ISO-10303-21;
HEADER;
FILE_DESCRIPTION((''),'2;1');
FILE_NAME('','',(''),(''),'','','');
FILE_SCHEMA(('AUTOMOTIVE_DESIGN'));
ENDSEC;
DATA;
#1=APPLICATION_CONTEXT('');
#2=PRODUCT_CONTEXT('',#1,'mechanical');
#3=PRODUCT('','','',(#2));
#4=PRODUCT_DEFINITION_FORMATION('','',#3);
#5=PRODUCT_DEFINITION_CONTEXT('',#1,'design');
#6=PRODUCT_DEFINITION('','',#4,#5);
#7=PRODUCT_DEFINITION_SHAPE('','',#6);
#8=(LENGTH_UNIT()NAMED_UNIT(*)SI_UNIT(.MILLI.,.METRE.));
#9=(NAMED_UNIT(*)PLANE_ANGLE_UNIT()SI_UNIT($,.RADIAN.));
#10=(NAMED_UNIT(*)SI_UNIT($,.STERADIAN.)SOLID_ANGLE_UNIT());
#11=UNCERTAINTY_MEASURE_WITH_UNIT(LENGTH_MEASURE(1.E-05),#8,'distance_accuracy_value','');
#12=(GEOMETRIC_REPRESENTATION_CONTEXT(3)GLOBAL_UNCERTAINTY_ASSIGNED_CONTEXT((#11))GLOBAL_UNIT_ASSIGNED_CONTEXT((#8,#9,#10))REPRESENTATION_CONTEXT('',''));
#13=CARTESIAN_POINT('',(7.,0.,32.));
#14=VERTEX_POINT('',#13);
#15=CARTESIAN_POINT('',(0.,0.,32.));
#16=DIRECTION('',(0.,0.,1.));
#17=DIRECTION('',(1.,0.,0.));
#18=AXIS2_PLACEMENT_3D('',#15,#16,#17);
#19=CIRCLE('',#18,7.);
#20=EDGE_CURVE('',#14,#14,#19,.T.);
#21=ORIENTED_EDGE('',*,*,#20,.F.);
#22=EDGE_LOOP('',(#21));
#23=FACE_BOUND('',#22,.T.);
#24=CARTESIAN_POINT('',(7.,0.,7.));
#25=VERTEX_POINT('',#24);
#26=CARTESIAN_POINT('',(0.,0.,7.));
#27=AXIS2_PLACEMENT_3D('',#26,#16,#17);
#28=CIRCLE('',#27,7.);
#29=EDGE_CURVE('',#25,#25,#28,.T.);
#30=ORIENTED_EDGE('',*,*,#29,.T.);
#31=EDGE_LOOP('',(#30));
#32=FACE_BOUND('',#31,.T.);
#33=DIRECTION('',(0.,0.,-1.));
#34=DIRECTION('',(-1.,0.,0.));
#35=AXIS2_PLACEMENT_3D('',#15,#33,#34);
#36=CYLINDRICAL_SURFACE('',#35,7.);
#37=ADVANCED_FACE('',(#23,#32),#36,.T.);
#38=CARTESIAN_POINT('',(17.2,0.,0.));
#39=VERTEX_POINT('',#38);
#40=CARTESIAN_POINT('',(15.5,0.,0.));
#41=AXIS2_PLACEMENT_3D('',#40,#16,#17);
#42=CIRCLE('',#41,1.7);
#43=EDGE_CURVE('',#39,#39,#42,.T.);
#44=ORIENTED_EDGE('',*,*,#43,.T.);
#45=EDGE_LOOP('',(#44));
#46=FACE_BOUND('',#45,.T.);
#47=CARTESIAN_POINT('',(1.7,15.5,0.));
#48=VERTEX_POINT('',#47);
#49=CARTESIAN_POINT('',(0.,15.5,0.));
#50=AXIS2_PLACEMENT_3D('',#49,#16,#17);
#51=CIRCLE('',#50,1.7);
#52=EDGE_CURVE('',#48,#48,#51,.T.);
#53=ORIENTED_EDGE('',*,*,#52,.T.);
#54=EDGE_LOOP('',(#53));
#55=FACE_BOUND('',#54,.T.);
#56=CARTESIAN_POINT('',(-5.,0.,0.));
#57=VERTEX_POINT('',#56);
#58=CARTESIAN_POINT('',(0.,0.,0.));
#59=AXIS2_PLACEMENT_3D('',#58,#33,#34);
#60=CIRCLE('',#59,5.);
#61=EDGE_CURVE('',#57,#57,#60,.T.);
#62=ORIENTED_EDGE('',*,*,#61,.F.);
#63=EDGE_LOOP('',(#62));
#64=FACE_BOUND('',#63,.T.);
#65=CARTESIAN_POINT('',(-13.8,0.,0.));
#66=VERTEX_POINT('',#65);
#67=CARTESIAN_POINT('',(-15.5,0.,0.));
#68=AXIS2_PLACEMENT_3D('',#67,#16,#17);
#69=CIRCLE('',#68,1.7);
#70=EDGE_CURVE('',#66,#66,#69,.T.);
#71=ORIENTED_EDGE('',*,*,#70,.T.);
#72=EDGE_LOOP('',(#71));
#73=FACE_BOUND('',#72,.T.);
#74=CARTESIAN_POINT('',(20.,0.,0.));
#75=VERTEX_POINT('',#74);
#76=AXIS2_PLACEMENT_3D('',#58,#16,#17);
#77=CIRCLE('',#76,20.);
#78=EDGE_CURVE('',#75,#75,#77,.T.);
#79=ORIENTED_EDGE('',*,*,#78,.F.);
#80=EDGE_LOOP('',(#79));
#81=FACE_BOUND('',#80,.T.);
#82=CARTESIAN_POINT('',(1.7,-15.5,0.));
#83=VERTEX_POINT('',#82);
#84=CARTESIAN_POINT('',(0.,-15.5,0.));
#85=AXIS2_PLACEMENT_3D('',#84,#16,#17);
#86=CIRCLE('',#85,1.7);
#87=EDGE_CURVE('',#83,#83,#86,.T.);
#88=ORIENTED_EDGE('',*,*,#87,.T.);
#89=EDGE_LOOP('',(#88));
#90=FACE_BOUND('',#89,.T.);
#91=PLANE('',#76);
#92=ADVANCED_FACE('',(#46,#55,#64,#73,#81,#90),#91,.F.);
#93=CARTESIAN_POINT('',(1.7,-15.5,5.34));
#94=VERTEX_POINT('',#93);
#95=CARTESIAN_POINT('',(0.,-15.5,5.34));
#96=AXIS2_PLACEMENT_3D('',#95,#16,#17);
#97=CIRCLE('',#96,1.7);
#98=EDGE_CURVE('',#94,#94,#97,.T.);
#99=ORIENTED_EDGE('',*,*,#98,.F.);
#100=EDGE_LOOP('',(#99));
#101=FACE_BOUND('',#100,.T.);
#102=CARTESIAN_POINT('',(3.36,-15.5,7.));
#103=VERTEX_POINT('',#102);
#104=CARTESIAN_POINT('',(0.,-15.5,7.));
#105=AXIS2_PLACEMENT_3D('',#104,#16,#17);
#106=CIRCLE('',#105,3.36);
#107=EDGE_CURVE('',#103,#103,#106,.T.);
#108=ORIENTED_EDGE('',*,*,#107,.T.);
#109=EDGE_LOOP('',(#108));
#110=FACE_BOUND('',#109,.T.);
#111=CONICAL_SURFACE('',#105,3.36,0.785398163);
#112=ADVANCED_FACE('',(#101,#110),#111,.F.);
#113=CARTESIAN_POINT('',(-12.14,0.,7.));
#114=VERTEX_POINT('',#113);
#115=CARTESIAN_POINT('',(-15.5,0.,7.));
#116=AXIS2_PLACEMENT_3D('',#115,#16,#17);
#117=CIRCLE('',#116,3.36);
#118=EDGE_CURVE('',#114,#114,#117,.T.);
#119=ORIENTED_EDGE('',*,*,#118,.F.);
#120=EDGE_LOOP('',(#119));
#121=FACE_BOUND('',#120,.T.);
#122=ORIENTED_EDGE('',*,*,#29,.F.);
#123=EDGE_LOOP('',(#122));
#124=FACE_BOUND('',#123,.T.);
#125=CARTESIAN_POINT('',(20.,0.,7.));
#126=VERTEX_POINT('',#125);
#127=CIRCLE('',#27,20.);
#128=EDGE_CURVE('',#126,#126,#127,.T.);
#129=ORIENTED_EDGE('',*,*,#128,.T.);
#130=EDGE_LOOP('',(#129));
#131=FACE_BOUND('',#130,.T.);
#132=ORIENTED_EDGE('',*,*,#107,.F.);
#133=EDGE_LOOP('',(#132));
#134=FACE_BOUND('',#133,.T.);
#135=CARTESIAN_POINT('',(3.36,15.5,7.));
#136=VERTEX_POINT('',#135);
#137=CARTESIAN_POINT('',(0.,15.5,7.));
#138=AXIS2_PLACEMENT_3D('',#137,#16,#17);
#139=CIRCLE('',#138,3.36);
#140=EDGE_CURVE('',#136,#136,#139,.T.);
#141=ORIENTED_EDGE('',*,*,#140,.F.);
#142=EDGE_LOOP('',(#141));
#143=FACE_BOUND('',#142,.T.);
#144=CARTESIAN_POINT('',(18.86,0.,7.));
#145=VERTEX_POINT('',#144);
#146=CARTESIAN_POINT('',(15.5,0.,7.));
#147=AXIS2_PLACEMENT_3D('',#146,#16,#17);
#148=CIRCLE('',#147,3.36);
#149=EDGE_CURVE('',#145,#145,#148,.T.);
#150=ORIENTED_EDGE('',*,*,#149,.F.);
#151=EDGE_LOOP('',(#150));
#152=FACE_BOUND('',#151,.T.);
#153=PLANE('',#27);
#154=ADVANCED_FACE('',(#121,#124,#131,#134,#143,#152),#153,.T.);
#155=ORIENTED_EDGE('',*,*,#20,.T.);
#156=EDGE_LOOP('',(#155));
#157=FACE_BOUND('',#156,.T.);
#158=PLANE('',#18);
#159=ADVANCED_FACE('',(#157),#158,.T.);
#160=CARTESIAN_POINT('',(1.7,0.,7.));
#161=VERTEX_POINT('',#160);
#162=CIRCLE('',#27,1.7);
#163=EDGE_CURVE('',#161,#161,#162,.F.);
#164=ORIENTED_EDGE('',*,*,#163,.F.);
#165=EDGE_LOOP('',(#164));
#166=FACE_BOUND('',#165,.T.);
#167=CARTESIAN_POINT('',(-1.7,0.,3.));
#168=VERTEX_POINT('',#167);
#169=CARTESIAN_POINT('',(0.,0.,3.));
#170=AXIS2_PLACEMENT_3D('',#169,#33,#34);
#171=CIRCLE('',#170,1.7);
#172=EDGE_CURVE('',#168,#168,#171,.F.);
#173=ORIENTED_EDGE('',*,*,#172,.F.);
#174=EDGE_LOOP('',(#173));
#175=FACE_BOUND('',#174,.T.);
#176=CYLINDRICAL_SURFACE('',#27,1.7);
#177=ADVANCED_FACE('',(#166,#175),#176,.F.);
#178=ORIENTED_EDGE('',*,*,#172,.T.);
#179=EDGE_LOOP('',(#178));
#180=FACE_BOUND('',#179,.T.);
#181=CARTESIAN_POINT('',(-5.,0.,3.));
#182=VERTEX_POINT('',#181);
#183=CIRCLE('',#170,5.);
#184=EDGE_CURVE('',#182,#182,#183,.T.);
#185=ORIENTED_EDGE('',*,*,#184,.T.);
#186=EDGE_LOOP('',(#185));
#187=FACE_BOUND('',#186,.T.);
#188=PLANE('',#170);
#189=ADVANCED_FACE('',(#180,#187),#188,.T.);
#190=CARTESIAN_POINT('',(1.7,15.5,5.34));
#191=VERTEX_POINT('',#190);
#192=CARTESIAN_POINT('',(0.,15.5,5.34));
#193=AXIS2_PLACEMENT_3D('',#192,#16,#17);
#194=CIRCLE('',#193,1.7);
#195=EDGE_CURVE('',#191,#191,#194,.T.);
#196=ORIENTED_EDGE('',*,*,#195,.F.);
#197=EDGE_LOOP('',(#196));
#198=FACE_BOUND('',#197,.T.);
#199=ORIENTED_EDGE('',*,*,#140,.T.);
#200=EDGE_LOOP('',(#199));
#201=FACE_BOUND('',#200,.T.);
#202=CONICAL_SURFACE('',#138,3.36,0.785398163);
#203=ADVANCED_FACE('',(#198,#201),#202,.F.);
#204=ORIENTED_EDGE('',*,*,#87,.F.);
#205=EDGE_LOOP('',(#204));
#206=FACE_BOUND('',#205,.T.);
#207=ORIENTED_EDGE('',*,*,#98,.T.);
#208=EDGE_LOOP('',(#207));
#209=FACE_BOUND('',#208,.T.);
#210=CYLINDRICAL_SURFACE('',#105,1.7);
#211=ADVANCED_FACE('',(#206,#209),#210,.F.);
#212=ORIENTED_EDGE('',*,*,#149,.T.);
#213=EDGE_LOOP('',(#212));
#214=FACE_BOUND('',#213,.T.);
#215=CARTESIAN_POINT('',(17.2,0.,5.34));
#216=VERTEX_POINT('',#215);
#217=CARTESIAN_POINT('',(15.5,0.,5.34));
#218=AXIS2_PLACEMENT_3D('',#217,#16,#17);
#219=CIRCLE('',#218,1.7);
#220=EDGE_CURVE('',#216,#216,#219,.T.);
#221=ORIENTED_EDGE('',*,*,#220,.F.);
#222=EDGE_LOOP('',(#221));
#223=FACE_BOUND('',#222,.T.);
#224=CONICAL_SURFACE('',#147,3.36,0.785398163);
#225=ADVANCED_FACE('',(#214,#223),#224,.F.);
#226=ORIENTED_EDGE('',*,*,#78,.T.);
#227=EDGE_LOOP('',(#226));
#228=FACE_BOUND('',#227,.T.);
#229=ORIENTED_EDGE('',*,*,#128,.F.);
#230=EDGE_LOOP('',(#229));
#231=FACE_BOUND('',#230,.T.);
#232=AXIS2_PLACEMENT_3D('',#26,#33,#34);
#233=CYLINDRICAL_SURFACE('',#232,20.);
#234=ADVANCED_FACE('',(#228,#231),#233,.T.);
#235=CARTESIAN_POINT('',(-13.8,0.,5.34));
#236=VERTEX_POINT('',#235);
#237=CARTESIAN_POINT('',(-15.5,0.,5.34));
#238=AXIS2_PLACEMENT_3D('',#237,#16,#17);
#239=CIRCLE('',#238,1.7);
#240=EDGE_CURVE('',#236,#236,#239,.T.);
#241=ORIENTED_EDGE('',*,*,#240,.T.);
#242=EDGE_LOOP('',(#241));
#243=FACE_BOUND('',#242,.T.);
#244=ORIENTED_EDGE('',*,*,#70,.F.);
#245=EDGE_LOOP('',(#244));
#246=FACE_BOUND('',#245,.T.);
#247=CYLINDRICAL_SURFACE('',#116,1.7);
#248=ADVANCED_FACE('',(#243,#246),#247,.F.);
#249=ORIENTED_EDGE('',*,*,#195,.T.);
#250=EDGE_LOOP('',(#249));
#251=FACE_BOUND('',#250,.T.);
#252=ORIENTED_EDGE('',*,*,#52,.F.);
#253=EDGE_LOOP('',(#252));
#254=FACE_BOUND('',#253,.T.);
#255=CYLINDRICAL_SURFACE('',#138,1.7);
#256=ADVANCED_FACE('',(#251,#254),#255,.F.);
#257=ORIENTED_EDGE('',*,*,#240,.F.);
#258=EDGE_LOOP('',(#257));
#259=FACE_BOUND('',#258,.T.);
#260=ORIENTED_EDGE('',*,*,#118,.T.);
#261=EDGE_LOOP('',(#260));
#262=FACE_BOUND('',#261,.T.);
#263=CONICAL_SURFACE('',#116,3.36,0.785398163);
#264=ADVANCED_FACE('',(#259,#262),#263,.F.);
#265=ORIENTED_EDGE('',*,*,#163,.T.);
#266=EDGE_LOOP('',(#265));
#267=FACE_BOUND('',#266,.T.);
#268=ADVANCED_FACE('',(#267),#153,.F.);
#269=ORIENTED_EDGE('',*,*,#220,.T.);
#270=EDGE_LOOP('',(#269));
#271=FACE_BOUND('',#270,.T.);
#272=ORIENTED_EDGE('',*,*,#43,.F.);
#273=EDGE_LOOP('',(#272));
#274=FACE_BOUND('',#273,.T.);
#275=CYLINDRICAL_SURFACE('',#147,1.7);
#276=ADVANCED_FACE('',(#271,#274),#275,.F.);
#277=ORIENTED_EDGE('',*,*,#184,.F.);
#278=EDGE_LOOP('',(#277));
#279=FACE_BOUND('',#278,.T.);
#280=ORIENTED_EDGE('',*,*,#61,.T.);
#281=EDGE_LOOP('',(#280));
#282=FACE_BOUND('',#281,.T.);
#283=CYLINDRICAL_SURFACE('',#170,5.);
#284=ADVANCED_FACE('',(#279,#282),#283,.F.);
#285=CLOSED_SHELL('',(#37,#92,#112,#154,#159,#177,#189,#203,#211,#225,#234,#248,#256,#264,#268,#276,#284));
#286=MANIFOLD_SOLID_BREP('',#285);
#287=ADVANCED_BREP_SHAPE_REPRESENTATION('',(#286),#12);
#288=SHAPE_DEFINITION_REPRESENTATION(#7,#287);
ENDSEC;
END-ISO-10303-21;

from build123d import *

# Parameters (mm, degrees)
CROQUIS1_R                                           = 20
SALIENTE_EXTRUIR1_DEPTH                              = 7
REFRENTADO_PARA_TORNILLO_TAP_N_CON_CABEZ_D           = 3.4
REFRENTADO_PARA_TORNILLO_TAP_N_CON_CABEZ_CSINK_D     = 6.72
REFRENTADO_PARA_TORNILLO_TAP_N_CON_CABEZ_CSINK_ANGLE = 90
TALADRO_DE_MARGEN_PARA_M31_D                         = 3.4
CROQUIS8_R                                           = 5
CORTAR_EXTRUIR1_DEPTH                                = 3
CROQUIS9_R                                           = 7
SALIENTE_EXTRUIR2_DEPTH                              = 25


with BuildPart() as part:
    # Croquis1 → Saliente-Extruir1 (new body)
    with BuildSketch(Plane.XY):
        Circle(CROQUIS1_R)
    extrude(amount=SALIENTE_EXTRUIR1_DEPTH)

    # Refrentado para tornillo tapón con cabeza plana de clavija de M31 (through all)
    with Locations(Plane.XY.offset(7)):
        with Locations((0, 15.5), (15.5, 0), (0, -15.5), (-15.5, 0)):
            CounterSinkHole(REFRENTADO_PARA_TORNILLO_TAP_N_CON_CABEZ_D / 2, REFRENTADO_PARA_TORNILLO_TAP_N_CON_CABEZ_CSINK_D / 2, counter_sink_angle=REFRENTADO_PARA_TORNILLO_TAP_N_CON_CABEZ_CSINK_ANGLE)

    # Taladro de margen para M31 (through all)
    with Locations(Plane.XY.offset(7)):
        with Locations((0, 0)):
            Hole(TALADRO_DE_MARGEN_PARA_M31_D / 2)

    # Croquis8 → Cortar-Extruir1 (cut)
    with BuildSketch(Plane(origin=(0, 0, 0), x_dir=(-1, 0, 0), z_dir=(0, 0, -1))):
        Circle(CROQUIS8_R)
    extrude(amount=-CORTAR_EXTRUIR1_DEPTH, mode=Mode.SUBTRACT)

    # Croquis9 → Saliente-Extruir2 (add)
    with BuildSketch(Plane.XY.offset(7)):
        Circle(CROQUIS9_R)
    extrude(amount=SALIENTE_EXTRUIR2_DEPTH)


solid = part.part
